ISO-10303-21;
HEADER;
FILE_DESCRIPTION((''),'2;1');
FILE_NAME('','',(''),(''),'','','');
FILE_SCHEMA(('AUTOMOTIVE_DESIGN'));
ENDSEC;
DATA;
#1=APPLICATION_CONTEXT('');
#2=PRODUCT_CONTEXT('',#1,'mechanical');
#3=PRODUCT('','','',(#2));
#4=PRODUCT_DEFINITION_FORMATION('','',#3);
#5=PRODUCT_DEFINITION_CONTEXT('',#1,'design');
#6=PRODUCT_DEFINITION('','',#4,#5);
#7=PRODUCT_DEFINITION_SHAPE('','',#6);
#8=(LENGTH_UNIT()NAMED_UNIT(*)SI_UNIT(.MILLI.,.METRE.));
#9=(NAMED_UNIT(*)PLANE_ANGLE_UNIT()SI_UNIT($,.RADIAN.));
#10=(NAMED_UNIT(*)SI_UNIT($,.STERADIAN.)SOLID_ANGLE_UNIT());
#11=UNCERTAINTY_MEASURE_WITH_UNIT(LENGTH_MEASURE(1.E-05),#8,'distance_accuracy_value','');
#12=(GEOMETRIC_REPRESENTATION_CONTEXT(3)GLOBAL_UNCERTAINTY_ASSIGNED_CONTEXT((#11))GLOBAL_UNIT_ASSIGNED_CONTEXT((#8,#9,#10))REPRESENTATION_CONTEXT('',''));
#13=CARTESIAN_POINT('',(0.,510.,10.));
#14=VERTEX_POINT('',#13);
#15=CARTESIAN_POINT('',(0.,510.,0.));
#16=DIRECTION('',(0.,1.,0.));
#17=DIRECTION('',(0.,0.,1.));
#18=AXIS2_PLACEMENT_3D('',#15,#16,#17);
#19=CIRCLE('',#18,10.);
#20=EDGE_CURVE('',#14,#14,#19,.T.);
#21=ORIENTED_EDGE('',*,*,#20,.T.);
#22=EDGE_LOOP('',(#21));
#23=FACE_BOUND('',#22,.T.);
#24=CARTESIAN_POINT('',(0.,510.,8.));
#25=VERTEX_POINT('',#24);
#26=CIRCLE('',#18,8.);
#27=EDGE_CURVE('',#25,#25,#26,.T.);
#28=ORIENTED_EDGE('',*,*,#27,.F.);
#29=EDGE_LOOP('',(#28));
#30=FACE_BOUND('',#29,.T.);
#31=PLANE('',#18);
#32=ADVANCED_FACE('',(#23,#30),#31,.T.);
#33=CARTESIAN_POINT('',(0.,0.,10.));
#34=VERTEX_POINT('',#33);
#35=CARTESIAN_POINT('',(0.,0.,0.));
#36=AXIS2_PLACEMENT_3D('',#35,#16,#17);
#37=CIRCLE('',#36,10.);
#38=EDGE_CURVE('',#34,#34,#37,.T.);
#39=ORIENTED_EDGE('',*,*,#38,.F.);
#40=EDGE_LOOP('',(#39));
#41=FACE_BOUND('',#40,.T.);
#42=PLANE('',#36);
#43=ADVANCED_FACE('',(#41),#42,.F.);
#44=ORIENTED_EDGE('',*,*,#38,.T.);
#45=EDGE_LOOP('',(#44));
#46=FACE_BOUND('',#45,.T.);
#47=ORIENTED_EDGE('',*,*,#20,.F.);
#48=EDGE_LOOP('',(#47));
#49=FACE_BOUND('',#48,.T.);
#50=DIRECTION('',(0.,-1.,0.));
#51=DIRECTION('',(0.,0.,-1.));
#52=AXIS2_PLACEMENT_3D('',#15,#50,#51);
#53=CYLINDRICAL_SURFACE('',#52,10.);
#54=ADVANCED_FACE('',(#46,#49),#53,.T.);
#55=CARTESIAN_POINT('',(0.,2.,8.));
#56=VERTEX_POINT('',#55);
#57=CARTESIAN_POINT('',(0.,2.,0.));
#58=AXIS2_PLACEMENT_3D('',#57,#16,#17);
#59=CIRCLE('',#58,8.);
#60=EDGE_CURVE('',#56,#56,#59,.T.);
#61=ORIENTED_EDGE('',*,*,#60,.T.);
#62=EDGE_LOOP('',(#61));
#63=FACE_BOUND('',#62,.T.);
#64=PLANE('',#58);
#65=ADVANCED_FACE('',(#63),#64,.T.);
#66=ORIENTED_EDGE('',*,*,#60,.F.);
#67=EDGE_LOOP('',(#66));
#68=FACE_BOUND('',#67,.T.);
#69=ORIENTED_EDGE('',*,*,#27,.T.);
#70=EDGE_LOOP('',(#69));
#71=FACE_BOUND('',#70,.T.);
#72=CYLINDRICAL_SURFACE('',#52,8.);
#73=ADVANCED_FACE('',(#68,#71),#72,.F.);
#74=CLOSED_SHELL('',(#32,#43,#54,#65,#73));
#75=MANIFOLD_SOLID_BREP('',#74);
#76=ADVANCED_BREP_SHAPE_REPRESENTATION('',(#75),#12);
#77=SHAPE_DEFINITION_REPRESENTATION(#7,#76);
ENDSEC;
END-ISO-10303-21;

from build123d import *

# Parameters (mm, degrees)
SKETCH_1_R      = 10
EXTRUDE_1_DEPTH = 510
SHELL_1_T       = -2


with BuildPart() as part:
    # 草图1 → 凸台-拉伸1 (new body)
    with BuildSketch(Plane(origin=(0, 0, 0), x_dir=(1, 0, 0), z_dir=(0, 1, 0))):
        with Locations(Location((0, 0, 0), (0, 0, 270))):
            Circle(SKETCH_1_R)
    extrude(amount=EXTRUDE_1_DEPTH)

    # 抽壳1
    shell_1_openings = [part.faces().sort_by_distance(p)[0] for p in [
        (0, 510, 0),
    ]]
    offset(amount=SHELL_1_T, openings=shell_1_openings, kind=Kind.INTERSECTION)


solid = part.part
